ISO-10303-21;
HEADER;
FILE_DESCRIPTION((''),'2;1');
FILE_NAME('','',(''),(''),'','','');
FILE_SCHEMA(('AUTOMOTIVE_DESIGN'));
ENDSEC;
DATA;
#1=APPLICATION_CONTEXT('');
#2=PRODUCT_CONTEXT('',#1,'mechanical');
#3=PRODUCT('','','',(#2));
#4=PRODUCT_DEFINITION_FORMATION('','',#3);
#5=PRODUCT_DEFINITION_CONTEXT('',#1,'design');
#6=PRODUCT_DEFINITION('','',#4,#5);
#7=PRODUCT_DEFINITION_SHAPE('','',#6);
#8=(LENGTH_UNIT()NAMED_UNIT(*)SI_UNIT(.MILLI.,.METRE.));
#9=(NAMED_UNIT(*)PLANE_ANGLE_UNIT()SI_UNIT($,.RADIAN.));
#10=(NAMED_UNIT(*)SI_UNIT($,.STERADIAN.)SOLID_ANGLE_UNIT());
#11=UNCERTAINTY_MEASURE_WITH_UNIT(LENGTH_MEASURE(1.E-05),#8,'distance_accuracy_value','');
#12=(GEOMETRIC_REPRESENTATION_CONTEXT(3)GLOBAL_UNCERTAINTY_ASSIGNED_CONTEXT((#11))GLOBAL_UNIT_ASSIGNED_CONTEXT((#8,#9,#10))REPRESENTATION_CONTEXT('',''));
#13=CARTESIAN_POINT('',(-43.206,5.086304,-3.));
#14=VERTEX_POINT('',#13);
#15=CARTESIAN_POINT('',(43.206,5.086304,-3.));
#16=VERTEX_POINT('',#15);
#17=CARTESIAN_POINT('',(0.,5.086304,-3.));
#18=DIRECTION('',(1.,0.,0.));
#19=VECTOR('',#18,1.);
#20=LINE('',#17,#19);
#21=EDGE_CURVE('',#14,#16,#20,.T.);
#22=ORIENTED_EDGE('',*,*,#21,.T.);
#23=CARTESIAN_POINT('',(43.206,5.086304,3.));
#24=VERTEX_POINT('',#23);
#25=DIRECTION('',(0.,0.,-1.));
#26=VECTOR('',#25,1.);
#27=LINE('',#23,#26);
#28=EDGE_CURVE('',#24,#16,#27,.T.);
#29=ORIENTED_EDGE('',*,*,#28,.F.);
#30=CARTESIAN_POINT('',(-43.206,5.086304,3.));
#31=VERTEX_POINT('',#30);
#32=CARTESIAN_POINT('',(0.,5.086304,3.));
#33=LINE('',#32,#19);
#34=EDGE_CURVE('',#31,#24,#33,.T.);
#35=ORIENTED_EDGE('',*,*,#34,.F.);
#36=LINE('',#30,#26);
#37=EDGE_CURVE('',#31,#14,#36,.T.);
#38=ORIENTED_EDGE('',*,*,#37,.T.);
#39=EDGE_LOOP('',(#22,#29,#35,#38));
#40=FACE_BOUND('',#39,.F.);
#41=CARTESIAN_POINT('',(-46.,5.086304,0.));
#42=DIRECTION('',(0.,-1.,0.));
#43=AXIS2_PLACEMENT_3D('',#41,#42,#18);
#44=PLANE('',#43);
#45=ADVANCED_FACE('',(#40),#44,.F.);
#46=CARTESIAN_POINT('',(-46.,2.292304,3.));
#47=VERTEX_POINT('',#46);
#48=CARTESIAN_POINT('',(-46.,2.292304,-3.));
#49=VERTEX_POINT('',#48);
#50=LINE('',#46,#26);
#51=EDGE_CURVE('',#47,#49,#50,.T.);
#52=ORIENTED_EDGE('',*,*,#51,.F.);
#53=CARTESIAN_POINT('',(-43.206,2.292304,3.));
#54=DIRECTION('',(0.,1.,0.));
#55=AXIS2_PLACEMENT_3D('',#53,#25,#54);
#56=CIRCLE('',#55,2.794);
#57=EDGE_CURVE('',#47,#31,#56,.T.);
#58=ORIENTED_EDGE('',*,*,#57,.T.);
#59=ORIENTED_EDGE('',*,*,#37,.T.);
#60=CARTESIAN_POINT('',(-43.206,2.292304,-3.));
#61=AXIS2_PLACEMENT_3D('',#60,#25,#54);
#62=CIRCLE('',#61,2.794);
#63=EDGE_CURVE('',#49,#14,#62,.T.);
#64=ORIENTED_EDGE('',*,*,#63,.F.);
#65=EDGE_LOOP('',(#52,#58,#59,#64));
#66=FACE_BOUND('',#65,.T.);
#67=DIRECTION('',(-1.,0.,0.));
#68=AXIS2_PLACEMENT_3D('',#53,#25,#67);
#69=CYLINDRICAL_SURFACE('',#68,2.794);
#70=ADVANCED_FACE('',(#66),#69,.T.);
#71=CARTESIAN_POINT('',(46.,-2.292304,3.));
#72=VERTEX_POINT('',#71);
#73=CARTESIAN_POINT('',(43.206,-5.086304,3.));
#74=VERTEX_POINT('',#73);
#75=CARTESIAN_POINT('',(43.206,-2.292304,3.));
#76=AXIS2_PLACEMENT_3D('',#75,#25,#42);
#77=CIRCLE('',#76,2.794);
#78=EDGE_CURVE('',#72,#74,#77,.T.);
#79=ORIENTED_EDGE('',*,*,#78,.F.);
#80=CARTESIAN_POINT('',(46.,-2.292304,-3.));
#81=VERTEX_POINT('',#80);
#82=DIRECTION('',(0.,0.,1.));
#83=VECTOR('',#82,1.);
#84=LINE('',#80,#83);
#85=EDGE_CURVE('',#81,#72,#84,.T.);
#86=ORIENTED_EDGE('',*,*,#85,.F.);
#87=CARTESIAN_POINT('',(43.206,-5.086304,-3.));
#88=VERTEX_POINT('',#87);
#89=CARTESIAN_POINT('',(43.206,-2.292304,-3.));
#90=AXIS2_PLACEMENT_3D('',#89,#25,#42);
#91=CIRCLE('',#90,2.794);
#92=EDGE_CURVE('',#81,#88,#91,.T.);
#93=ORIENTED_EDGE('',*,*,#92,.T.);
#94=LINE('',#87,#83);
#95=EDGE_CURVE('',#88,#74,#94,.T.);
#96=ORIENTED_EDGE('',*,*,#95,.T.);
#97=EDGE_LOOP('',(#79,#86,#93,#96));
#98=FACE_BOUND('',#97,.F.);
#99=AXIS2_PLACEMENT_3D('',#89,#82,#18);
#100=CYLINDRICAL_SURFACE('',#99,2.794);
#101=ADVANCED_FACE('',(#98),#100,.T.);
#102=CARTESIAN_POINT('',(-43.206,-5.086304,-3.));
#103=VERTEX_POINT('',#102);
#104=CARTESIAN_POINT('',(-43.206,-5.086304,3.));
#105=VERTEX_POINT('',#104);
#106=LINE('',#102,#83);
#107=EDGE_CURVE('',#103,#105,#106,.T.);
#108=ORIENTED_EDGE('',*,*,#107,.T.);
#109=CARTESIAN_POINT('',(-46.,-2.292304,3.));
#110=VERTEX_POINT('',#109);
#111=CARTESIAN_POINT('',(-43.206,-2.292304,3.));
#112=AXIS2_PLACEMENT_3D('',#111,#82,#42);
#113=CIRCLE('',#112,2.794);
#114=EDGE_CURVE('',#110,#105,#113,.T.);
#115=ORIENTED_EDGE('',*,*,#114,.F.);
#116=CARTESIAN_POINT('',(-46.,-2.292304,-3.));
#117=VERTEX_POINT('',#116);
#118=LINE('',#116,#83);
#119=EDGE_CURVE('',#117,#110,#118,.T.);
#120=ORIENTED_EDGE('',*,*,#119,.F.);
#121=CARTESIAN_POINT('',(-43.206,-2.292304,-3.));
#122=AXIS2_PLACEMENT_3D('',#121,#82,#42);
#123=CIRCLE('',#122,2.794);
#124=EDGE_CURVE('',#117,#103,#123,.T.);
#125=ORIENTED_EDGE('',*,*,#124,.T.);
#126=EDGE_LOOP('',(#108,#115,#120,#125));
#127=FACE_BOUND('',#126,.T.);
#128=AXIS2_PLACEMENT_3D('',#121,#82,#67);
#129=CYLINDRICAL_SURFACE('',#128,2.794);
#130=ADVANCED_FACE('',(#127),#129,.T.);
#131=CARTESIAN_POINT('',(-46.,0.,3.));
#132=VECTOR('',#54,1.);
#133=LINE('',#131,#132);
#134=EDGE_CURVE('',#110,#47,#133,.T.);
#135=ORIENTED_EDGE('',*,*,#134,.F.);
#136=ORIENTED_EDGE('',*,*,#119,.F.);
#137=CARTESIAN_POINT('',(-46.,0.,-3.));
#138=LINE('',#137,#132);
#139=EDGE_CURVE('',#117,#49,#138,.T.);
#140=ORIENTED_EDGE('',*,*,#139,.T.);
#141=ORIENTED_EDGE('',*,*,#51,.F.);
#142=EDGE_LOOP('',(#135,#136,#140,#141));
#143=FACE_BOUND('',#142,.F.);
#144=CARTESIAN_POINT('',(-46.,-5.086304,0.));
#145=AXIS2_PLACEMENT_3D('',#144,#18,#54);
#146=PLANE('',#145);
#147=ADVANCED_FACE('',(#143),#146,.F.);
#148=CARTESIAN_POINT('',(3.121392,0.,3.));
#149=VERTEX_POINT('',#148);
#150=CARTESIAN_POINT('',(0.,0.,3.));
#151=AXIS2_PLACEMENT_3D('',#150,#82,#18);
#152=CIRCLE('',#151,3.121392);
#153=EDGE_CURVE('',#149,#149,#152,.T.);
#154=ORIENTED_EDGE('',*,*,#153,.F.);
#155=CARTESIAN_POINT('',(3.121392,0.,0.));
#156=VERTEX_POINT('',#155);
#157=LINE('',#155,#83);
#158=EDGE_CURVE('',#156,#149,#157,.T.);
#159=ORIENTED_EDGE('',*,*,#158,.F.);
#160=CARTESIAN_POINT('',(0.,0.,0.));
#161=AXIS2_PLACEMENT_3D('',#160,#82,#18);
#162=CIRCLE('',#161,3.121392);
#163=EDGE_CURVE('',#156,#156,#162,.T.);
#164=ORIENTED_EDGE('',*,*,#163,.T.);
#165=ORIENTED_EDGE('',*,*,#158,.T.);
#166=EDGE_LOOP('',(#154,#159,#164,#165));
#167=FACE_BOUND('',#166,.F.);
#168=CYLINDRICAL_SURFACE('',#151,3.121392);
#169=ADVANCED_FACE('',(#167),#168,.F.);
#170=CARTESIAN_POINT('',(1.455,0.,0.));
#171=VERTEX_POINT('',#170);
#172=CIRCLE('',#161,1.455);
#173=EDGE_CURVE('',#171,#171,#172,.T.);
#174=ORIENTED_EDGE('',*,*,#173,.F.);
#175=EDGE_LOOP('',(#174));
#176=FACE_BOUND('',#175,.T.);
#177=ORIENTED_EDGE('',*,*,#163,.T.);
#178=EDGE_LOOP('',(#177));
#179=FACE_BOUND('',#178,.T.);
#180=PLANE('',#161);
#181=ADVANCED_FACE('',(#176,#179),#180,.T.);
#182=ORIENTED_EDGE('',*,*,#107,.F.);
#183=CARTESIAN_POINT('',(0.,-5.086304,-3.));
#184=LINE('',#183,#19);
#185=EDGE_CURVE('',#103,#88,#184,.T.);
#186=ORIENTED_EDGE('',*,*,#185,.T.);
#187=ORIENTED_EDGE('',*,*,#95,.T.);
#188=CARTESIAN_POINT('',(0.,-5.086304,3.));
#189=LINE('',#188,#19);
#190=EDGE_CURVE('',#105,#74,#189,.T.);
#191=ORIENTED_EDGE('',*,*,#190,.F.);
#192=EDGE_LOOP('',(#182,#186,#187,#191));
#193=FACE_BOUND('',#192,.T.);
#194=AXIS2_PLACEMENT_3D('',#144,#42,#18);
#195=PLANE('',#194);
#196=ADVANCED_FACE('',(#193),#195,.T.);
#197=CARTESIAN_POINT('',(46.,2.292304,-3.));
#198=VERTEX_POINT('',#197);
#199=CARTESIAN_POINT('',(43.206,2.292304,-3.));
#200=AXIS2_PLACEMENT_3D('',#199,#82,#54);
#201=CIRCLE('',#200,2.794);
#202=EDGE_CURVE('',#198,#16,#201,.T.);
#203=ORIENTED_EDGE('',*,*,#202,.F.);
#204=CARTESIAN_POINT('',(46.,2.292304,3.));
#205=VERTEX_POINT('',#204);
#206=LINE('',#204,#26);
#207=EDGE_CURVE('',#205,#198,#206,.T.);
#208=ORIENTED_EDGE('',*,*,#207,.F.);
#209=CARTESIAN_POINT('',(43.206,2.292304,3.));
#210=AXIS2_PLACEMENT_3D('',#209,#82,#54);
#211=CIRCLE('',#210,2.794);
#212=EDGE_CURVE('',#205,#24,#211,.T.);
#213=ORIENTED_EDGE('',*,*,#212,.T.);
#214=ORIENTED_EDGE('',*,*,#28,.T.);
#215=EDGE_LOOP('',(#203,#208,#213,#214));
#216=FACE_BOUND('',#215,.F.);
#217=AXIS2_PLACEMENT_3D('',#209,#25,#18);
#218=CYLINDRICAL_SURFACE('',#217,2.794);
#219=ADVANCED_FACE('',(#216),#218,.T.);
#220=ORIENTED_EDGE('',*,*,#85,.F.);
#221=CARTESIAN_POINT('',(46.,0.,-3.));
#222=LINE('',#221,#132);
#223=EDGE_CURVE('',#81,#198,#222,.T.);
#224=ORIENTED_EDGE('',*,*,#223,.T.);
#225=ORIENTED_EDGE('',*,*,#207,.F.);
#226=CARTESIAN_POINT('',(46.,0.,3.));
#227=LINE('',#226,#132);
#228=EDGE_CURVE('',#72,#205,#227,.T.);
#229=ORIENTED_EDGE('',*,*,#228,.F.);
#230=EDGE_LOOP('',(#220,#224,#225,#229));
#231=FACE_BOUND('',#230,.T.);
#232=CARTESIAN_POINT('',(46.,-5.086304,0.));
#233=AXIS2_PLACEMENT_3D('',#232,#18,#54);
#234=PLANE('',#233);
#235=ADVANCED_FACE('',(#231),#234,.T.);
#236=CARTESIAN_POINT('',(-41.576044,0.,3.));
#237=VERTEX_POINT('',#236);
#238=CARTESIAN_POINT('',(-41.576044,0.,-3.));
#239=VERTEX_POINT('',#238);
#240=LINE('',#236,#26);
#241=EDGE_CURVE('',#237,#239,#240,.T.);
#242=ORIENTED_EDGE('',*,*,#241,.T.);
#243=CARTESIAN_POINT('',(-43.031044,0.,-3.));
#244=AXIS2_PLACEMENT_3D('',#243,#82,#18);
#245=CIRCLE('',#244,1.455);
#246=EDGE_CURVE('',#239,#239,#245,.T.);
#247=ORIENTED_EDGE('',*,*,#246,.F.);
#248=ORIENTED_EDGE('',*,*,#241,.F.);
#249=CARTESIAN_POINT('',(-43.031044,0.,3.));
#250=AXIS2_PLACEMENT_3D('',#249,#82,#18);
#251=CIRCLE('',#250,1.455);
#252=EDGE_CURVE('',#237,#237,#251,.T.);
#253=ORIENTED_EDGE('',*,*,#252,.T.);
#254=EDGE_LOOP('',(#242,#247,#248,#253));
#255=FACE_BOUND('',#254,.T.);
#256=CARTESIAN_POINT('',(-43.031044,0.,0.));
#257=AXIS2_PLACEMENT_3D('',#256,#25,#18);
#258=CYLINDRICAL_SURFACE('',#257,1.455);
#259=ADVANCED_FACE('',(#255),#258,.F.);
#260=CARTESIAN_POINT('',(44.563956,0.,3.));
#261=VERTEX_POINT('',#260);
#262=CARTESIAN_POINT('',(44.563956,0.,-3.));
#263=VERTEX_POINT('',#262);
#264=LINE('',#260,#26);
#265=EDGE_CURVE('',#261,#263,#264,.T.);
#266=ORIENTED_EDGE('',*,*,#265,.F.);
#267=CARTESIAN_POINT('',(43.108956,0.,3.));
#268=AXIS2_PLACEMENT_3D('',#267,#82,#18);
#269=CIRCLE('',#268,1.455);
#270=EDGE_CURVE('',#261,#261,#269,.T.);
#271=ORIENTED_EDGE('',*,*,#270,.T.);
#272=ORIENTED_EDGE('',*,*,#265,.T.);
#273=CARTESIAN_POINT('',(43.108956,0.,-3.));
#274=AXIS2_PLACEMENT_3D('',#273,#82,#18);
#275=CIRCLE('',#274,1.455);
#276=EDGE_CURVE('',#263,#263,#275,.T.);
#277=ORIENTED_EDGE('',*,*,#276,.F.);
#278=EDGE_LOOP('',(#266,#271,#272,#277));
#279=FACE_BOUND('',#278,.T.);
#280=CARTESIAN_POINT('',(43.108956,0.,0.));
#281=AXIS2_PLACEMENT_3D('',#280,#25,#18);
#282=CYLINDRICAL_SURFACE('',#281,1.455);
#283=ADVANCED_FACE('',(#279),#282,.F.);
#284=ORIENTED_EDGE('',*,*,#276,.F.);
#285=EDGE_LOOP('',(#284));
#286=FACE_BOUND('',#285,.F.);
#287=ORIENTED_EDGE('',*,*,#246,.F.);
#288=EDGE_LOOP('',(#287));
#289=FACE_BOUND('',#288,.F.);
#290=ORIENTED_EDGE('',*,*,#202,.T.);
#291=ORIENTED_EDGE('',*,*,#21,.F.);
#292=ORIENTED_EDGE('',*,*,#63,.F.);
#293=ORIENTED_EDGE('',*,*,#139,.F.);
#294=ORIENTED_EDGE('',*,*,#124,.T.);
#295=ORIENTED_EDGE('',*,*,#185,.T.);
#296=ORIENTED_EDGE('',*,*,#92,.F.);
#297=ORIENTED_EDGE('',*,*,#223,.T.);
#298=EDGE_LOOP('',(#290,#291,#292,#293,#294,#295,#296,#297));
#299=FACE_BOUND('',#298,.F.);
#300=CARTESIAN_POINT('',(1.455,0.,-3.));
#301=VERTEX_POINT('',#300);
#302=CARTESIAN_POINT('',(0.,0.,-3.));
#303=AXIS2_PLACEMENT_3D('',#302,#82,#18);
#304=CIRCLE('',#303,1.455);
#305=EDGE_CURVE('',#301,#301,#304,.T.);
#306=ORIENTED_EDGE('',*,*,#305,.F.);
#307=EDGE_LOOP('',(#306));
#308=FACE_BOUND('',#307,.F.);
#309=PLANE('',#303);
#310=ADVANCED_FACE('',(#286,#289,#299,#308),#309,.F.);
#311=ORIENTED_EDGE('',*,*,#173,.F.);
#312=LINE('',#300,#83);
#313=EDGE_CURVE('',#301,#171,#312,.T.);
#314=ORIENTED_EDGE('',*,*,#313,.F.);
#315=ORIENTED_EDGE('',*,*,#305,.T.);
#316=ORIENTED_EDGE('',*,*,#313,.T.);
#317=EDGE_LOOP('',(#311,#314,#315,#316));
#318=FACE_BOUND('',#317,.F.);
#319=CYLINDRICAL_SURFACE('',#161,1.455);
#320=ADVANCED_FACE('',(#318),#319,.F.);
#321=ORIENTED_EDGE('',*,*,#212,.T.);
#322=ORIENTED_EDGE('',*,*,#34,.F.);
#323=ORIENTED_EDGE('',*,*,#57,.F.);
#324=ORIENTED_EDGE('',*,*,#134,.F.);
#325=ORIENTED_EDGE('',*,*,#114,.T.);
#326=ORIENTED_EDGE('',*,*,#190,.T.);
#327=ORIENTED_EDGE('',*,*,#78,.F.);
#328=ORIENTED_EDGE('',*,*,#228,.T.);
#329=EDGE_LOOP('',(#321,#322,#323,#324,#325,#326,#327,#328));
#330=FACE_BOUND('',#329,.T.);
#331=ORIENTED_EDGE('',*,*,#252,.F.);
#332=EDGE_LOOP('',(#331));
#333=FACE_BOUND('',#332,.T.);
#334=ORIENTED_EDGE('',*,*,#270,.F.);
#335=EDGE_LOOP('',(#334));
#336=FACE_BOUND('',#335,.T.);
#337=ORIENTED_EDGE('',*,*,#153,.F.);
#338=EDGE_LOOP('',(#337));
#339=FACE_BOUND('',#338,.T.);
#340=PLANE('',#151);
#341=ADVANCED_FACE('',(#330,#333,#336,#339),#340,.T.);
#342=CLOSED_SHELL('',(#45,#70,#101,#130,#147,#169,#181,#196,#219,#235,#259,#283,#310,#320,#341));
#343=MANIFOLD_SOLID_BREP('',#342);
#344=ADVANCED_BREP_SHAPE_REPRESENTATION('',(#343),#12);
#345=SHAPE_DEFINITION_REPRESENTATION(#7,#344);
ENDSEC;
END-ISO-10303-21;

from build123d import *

# Parameters (mm, degrees)
F0_W     = 92
F0_H     = 10.172608
F0_R     = 1.455
F1_DEPTH = 3
F2_R     = 2.794
F3_R     = 3.121392
F4_DEPTH = 3
F5_R     = 1.455
F6_DEPTH = 3


with BuildPart() as f1:
    # F0 (on Top) → F1 (new body, symmetric)
    with BuildSketch(Plane.XY):
        Rectangle(F0_W, F0_H)
        with Locations((-43.031044, 0)):
            Circle(F0_R, mode=Mode.SUBTRACT)
        with Locations((43.108956, 0)):
            Circle(F0_R, mode=Mode.SUBTRACT)
    extrude(amount=F1_DEPTH, both=True)

    # F2
    f2_edges = [f1.edges().sort_by_distance(p)[0] for p in [
        (-46, 5.086304, 0),
        (-46, -5.086304, 0),
        (46, 5.086304, 0),
        (46, -5.086304, 0),
    ]]
    fillet(f2_edges, radius=F2_R)

    # F3 (on face) → F4 (cut, symmetric)
    with BuildSketch(Plane.XY.offset(3)):
        Circle(F3_R)
    extrude(amount=F4_DEPTH, both=True, mode=Mode.SUBTRACT)

    # F5 (on Top) → F6 (cut, symmetric)
    with BuildSketch(Plane.XY):
        Circle(F5_R)
    extrude(amount=F6_DEPTH, both=True, mode=Mode.SUBTRACT)


solid = f1.part
